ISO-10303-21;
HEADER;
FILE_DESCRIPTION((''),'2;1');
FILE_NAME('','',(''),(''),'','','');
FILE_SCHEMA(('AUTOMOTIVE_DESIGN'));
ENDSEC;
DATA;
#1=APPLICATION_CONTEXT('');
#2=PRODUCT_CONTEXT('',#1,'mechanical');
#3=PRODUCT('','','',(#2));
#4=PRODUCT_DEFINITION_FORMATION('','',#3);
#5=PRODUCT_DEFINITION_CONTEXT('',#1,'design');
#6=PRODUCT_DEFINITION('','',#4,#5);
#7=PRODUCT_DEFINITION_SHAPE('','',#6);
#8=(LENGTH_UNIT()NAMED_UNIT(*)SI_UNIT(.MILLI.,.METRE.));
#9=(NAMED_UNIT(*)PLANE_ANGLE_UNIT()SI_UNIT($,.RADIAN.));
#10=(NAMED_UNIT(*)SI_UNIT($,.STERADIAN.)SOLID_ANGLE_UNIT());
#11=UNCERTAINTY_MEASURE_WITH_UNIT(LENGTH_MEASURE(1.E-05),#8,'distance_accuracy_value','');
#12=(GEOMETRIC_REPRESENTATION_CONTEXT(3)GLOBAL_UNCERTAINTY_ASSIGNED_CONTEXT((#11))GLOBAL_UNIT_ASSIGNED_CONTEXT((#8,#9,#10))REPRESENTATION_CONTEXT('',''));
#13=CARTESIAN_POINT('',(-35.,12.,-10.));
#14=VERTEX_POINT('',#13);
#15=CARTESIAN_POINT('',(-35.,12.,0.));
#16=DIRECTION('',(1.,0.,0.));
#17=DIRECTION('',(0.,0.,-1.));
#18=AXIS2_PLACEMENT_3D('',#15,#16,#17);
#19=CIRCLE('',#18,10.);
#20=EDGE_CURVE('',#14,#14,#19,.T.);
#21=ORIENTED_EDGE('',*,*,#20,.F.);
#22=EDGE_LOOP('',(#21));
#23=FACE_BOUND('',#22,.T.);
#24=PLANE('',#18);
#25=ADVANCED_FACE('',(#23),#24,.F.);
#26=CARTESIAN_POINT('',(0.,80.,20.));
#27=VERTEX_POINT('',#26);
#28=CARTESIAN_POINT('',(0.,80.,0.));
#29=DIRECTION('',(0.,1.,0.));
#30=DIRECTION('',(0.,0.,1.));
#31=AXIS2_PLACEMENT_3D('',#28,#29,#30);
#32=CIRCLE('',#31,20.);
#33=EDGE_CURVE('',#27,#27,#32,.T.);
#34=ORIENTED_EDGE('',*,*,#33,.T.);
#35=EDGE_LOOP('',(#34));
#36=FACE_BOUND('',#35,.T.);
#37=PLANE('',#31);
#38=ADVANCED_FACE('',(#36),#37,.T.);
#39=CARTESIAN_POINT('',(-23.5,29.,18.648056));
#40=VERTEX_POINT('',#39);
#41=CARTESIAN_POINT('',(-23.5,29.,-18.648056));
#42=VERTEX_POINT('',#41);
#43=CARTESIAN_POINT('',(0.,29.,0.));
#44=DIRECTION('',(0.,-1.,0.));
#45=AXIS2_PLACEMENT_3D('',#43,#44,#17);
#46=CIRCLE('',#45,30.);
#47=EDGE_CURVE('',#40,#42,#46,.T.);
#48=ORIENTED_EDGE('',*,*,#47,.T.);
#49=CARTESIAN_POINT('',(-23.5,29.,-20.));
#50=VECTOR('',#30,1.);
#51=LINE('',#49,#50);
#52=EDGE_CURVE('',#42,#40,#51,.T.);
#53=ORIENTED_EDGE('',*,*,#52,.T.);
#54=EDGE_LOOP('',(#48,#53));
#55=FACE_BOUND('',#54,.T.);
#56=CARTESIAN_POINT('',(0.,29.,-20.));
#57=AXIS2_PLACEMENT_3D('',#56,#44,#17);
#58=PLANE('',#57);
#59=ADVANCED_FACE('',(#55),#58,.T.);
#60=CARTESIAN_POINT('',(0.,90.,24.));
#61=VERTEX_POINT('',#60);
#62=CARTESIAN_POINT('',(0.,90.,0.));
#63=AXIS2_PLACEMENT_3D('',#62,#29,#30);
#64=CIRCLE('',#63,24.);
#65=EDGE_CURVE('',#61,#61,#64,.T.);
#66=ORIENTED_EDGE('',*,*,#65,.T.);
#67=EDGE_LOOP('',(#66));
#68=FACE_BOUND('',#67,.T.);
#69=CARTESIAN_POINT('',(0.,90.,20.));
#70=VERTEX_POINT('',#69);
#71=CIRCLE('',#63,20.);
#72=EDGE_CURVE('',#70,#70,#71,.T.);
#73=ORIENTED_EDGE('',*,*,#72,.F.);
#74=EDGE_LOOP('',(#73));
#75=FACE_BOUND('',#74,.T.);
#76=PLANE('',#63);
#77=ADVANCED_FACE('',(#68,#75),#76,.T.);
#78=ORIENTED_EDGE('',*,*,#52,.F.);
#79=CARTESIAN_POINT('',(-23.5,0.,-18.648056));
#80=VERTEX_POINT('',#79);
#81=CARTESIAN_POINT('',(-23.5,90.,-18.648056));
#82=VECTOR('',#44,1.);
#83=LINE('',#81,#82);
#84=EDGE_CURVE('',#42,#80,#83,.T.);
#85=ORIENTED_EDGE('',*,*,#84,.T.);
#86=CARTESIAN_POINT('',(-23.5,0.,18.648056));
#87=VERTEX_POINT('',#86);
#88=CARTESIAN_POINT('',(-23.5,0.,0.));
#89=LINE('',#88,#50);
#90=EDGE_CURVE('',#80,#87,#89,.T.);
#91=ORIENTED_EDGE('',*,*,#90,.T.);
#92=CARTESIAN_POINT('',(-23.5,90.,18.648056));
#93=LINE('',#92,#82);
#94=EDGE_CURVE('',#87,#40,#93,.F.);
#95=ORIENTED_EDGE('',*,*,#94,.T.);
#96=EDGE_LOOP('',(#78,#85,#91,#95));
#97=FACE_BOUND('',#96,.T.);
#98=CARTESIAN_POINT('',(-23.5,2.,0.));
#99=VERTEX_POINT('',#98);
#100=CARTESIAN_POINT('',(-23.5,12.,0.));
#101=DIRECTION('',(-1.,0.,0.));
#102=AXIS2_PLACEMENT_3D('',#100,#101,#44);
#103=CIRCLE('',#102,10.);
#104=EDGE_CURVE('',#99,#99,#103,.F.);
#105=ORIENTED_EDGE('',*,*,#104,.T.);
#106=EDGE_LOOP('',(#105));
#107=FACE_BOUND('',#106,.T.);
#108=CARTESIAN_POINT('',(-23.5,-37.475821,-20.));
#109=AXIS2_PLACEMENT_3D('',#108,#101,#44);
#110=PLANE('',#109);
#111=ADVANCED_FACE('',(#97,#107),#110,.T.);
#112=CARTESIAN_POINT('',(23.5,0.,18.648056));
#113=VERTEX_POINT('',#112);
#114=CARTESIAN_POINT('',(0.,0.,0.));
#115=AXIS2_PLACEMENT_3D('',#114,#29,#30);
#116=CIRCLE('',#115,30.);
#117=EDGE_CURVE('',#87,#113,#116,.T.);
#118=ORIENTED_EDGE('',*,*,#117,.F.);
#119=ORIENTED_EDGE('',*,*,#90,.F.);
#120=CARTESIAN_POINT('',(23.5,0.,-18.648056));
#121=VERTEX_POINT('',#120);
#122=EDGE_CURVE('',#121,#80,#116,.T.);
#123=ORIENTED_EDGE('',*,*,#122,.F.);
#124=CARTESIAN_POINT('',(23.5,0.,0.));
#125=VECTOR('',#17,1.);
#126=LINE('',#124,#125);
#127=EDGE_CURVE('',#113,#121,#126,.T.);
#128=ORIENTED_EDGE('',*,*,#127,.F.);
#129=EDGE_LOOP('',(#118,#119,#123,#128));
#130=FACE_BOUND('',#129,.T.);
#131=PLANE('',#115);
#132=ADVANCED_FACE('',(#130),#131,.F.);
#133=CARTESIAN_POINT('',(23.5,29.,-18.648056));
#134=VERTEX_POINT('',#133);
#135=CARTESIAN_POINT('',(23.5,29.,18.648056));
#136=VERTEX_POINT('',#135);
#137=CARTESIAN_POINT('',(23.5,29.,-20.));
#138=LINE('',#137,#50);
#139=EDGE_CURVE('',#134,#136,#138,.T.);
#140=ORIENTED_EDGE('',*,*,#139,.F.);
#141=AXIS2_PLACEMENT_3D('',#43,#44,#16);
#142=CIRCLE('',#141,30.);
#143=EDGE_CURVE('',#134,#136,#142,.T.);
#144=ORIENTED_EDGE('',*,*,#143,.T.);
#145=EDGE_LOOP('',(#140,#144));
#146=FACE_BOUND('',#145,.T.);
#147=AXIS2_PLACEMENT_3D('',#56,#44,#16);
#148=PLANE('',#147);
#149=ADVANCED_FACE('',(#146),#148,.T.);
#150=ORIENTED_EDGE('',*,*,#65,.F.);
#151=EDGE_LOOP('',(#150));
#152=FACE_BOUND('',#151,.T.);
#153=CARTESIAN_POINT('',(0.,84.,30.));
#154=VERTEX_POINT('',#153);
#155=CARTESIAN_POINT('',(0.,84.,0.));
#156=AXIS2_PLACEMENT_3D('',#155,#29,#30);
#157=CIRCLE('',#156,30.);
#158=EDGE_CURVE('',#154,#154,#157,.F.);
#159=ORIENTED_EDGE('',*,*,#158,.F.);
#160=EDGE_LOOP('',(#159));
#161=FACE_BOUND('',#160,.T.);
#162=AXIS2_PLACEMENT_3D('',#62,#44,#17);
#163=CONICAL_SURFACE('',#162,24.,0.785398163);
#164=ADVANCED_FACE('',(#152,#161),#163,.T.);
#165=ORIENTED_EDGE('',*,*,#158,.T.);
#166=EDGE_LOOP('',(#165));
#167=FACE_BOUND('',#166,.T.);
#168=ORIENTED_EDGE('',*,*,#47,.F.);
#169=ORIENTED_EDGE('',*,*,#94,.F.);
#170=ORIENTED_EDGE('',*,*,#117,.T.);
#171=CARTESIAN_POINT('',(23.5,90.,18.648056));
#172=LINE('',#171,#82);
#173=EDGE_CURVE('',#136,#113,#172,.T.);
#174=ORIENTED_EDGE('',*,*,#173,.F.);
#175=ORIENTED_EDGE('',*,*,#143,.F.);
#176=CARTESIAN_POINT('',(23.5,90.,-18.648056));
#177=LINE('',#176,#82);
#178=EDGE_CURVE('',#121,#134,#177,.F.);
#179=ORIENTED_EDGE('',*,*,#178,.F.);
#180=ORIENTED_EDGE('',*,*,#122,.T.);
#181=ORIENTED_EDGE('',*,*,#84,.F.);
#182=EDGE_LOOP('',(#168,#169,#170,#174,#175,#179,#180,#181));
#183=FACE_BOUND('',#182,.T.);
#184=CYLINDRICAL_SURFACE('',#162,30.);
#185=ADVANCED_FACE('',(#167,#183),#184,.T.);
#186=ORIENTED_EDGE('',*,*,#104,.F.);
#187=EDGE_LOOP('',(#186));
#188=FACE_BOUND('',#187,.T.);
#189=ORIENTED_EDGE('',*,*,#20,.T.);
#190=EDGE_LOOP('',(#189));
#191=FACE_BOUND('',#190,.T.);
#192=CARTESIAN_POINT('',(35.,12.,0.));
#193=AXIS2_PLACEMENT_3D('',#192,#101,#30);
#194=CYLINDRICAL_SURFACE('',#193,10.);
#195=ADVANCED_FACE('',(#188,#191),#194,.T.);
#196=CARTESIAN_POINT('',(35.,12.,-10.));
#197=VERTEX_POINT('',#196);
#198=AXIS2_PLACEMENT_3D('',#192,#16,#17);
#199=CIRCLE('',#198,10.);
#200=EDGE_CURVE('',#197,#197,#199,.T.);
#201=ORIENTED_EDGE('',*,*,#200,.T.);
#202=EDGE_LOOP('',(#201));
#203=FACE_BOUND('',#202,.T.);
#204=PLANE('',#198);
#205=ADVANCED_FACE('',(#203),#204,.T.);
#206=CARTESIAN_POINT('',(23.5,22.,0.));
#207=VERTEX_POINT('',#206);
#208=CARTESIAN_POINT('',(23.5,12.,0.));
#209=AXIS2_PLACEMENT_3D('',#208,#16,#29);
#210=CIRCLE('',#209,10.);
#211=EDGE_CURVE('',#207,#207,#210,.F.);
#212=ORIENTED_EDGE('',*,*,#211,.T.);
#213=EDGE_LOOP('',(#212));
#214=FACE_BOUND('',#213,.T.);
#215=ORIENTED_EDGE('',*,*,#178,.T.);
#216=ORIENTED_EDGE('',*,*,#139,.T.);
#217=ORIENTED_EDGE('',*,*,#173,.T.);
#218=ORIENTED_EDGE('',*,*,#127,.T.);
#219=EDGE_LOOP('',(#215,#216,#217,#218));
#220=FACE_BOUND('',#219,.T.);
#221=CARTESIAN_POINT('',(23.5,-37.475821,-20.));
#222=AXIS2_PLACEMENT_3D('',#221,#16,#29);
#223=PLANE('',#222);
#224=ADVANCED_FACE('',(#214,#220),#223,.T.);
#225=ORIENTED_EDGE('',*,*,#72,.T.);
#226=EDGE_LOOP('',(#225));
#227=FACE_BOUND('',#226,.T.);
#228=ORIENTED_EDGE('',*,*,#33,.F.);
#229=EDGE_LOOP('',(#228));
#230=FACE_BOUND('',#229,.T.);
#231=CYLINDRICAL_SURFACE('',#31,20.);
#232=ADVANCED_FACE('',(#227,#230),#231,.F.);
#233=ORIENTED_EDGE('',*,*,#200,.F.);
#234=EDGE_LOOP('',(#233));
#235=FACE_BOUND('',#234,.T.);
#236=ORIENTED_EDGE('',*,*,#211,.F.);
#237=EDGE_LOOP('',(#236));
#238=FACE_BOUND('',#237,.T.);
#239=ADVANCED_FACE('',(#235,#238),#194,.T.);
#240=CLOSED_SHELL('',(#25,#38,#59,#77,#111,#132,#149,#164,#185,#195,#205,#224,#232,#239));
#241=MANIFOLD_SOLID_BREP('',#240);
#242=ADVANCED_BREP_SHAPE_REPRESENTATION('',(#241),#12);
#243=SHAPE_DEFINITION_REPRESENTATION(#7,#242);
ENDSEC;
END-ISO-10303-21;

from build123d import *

# Parameters (mm, degrees)
SKETCH1_R           = 30
BOSS_EXTRUDE1_DEPTH = 90
SKETCH8_W           = 6.5
SKETCH8_H           = 29
CUT_EXTRUDE5_DEPTH  = 20
SKETCH5_R           = 10
BOSS_EXTRUDE3_DEPTH = 35
SKETCH7_R           = 20
CUT_EXTRUDE4_DEPTH  = 10
CHAMFER1_SIZE       = 6


with BuildPart() as part:
    # Sketch1 → Boss-Extrude1 (new body)
    with BuildSketch(Plane(origin=(0, 0, 0), x_dir=(1, 0, 0), z_dir=(0, 1, 0))):
        Circle(SKETCH1_R)
    extrude(amount=BOSS_EXTRUDE1_DEPTH)

    # Sketch8 → Cut-Extrude5 (cut, symmetric)
    with BuildSketch(Plane.XY):
        with Locations((-26.75, 14.5)):
            Rectangle(SKETCH8_W, SKETCH8_H)
        with Locations((26.75, 14.5)):
            Rectangle(SKETCH8_W, SKETCH8_H)
    extrude(amount=CUT_EXTRUDE5_DEPTH, both=True, mode=Mode.SUBTRACT)

    # Sketch5 → Boss-Extrude3 (add, symmetric)
    with BuildSketch(Plane(origin=(0, 0, 0), x_dir=(0, 0, -1), z_dir=(1, 0, 0))):
        with Locations((0, 12)):
            Circle(SKETCH5_R)
    extrude(amount=BOSS_EXTRUDE3_DEPTH, both=True)

    # Sketch7 → Cut-Extrude4 (cut)
    with BuildSketch(Plane(origin=(0, 90, 0), x_dir=(1, 0, 0), z_dir=(0, 1, 0))):
        Circle(SKETCH7_R)
    extrude(amount=-CUT_EXTRUDE4_DEPTH, mode=Mode.SUBTRACT)

    # Chamfer1
    chamfer1_edges = [part.edges().sort_by_distance(p)[0] for p in [
        (-30, 90, 0),
    ]]
    chamfer(chamfer1_edges, length=CHAMFER1_SIZE)


solid = part.part
